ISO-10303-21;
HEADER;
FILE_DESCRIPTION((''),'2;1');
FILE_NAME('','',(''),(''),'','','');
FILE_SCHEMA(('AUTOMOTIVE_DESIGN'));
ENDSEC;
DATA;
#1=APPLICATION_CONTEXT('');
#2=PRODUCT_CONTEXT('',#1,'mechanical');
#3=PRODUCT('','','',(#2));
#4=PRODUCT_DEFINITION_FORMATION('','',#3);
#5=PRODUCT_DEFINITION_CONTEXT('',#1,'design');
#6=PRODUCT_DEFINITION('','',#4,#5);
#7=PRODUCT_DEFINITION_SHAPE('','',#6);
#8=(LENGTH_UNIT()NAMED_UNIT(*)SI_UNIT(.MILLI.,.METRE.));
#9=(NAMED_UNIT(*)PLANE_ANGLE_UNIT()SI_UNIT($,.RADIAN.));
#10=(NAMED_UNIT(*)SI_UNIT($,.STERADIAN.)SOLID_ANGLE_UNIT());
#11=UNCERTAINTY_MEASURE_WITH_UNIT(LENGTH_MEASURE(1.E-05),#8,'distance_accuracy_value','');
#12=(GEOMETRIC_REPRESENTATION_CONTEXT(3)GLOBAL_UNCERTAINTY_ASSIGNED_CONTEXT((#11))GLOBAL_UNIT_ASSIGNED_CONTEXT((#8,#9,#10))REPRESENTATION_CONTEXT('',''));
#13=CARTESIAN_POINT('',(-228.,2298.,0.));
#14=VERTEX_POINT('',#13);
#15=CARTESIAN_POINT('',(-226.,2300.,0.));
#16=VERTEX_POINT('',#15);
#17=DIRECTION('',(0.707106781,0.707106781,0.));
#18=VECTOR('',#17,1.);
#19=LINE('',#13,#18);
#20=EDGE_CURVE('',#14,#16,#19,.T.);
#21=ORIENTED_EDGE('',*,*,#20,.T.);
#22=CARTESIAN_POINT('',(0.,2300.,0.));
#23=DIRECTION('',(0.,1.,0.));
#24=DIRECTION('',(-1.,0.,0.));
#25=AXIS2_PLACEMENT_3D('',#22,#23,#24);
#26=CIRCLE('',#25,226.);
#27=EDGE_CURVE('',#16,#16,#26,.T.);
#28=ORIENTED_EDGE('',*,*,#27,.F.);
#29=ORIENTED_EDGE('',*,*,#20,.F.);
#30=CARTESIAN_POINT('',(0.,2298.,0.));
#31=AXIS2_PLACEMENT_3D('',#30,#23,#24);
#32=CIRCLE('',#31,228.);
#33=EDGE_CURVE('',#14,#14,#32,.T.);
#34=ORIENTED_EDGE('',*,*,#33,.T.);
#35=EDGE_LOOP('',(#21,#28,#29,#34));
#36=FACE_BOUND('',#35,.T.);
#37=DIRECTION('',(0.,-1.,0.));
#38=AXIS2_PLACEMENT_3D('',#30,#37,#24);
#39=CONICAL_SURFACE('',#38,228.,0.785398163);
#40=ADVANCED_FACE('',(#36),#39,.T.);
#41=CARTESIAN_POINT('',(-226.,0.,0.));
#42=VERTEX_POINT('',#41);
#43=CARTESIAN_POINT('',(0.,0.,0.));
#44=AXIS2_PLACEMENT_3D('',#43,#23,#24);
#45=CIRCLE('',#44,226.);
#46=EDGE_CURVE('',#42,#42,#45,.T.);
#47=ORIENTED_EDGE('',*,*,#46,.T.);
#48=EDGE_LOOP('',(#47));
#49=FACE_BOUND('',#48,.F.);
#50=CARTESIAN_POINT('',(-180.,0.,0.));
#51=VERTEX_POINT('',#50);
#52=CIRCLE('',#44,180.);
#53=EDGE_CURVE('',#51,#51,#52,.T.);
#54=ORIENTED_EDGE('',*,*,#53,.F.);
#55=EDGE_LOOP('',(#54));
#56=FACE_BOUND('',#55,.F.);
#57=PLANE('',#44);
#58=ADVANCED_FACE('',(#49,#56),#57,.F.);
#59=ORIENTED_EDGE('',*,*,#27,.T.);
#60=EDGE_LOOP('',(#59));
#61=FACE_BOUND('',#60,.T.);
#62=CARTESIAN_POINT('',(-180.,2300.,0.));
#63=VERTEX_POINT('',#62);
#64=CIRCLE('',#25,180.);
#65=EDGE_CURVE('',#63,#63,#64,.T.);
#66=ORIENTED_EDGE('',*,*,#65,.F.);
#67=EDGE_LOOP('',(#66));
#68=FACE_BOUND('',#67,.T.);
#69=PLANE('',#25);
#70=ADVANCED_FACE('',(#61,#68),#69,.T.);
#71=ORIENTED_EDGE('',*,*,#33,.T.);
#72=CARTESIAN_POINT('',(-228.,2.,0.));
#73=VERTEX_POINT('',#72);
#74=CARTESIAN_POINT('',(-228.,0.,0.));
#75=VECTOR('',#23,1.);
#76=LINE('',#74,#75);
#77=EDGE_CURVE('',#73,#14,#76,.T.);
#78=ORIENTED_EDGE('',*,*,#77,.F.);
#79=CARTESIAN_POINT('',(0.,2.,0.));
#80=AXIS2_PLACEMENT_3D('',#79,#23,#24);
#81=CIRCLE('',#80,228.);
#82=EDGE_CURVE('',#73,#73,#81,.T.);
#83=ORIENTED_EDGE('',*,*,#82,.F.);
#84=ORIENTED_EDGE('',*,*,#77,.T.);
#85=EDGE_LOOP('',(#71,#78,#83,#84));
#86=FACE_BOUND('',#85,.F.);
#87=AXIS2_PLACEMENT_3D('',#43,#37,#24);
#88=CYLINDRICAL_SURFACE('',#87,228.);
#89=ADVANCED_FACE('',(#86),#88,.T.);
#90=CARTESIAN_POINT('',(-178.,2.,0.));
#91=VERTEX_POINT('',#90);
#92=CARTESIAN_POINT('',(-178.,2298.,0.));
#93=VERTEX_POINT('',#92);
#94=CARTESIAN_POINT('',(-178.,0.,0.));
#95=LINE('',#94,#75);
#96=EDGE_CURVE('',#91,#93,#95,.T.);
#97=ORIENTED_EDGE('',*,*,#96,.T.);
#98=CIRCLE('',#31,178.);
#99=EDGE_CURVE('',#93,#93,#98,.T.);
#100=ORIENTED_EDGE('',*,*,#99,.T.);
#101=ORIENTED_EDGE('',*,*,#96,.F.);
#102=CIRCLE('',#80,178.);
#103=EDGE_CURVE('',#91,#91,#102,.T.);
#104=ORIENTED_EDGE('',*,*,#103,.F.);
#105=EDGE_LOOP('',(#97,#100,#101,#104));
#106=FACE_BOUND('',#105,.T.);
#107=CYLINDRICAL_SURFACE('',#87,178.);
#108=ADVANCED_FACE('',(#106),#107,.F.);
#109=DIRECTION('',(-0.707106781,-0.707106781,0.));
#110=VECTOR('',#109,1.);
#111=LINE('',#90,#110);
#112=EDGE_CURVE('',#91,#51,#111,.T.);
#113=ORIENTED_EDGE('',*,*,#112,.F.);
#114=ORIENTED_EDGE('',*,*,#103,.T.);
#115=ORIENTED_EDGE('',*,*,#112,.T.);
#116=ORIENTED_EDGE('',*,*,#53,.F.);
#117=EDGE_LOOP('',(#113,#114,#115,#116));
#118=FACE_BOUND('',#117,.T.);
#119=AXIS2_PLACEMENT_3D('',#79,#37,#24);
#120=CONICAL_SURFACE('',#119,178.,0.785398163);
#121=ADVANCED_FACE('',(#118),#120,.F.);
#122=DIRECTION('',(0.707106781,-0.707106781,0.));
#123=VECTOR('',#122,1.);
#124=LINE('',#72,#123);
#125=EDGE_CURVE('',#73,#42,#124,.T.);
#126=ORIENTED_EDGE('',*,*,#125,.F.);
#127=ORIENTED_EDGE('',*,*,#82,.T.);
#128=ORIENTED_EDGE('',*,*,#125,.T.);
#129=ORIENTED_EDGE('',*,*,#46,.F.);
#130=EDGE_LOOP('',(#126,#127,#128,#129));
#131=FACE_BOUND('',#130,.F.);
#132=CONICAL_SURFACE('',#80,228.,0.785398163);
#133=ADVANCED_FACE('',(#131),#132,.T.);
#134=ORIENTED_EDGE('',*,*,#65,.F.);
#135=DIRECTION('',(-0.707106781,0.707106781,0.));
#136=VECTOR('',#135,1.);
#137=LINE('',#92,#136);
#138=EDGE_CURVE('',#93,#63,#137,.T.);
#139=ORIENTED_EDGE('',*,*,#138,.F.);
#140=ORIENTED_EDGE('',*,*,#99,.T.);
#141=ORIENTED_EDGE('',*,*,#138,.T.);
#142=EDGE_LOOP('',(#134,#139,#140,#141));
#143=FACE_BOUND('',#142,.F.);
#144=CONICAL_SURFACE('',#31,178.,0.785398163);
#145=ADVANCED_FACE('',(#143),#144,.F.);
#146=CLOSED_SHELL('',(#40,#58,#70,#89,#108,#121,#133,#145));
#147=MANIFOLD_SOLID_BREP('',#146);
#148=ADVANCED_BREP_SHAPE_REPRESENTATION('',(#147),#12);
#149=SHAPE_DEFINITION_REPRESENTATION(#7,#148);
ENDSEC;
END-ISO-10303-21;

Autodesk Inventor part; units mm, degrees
ref_plane "YZ Plane" through (0, 0, 0) normal (1, 0, 0) x (0, 1, 0)
ref_plane "XZ Plane" through (0, 0, 0) normal (0, 1, 0) x (-1, 0, 0)
ref_plane "XY Plane" through (0, 0, 0) normal (0, 0, 1) x (1, 0, 0)
sketch "Эскиз1" plane through (0, 0, 0) normal (0, 1, 0) x (-1, 0, 0)
  circle A0 centre (0, 0) radius 178
  circle A1 centre (0, 0) radius 228
  dimension "d0" = 356
  dimension "d1" = 456
extrude "Выдавливание1" add sketch "Эскиз1" along normal blind 2300
chamfer "Фаска1" distance 2 angle 45 4 edges at (228, 0, 0) (178, 0, 0) (178, 2300, 0) (228, 2300, 0)
properties part number "tube"
